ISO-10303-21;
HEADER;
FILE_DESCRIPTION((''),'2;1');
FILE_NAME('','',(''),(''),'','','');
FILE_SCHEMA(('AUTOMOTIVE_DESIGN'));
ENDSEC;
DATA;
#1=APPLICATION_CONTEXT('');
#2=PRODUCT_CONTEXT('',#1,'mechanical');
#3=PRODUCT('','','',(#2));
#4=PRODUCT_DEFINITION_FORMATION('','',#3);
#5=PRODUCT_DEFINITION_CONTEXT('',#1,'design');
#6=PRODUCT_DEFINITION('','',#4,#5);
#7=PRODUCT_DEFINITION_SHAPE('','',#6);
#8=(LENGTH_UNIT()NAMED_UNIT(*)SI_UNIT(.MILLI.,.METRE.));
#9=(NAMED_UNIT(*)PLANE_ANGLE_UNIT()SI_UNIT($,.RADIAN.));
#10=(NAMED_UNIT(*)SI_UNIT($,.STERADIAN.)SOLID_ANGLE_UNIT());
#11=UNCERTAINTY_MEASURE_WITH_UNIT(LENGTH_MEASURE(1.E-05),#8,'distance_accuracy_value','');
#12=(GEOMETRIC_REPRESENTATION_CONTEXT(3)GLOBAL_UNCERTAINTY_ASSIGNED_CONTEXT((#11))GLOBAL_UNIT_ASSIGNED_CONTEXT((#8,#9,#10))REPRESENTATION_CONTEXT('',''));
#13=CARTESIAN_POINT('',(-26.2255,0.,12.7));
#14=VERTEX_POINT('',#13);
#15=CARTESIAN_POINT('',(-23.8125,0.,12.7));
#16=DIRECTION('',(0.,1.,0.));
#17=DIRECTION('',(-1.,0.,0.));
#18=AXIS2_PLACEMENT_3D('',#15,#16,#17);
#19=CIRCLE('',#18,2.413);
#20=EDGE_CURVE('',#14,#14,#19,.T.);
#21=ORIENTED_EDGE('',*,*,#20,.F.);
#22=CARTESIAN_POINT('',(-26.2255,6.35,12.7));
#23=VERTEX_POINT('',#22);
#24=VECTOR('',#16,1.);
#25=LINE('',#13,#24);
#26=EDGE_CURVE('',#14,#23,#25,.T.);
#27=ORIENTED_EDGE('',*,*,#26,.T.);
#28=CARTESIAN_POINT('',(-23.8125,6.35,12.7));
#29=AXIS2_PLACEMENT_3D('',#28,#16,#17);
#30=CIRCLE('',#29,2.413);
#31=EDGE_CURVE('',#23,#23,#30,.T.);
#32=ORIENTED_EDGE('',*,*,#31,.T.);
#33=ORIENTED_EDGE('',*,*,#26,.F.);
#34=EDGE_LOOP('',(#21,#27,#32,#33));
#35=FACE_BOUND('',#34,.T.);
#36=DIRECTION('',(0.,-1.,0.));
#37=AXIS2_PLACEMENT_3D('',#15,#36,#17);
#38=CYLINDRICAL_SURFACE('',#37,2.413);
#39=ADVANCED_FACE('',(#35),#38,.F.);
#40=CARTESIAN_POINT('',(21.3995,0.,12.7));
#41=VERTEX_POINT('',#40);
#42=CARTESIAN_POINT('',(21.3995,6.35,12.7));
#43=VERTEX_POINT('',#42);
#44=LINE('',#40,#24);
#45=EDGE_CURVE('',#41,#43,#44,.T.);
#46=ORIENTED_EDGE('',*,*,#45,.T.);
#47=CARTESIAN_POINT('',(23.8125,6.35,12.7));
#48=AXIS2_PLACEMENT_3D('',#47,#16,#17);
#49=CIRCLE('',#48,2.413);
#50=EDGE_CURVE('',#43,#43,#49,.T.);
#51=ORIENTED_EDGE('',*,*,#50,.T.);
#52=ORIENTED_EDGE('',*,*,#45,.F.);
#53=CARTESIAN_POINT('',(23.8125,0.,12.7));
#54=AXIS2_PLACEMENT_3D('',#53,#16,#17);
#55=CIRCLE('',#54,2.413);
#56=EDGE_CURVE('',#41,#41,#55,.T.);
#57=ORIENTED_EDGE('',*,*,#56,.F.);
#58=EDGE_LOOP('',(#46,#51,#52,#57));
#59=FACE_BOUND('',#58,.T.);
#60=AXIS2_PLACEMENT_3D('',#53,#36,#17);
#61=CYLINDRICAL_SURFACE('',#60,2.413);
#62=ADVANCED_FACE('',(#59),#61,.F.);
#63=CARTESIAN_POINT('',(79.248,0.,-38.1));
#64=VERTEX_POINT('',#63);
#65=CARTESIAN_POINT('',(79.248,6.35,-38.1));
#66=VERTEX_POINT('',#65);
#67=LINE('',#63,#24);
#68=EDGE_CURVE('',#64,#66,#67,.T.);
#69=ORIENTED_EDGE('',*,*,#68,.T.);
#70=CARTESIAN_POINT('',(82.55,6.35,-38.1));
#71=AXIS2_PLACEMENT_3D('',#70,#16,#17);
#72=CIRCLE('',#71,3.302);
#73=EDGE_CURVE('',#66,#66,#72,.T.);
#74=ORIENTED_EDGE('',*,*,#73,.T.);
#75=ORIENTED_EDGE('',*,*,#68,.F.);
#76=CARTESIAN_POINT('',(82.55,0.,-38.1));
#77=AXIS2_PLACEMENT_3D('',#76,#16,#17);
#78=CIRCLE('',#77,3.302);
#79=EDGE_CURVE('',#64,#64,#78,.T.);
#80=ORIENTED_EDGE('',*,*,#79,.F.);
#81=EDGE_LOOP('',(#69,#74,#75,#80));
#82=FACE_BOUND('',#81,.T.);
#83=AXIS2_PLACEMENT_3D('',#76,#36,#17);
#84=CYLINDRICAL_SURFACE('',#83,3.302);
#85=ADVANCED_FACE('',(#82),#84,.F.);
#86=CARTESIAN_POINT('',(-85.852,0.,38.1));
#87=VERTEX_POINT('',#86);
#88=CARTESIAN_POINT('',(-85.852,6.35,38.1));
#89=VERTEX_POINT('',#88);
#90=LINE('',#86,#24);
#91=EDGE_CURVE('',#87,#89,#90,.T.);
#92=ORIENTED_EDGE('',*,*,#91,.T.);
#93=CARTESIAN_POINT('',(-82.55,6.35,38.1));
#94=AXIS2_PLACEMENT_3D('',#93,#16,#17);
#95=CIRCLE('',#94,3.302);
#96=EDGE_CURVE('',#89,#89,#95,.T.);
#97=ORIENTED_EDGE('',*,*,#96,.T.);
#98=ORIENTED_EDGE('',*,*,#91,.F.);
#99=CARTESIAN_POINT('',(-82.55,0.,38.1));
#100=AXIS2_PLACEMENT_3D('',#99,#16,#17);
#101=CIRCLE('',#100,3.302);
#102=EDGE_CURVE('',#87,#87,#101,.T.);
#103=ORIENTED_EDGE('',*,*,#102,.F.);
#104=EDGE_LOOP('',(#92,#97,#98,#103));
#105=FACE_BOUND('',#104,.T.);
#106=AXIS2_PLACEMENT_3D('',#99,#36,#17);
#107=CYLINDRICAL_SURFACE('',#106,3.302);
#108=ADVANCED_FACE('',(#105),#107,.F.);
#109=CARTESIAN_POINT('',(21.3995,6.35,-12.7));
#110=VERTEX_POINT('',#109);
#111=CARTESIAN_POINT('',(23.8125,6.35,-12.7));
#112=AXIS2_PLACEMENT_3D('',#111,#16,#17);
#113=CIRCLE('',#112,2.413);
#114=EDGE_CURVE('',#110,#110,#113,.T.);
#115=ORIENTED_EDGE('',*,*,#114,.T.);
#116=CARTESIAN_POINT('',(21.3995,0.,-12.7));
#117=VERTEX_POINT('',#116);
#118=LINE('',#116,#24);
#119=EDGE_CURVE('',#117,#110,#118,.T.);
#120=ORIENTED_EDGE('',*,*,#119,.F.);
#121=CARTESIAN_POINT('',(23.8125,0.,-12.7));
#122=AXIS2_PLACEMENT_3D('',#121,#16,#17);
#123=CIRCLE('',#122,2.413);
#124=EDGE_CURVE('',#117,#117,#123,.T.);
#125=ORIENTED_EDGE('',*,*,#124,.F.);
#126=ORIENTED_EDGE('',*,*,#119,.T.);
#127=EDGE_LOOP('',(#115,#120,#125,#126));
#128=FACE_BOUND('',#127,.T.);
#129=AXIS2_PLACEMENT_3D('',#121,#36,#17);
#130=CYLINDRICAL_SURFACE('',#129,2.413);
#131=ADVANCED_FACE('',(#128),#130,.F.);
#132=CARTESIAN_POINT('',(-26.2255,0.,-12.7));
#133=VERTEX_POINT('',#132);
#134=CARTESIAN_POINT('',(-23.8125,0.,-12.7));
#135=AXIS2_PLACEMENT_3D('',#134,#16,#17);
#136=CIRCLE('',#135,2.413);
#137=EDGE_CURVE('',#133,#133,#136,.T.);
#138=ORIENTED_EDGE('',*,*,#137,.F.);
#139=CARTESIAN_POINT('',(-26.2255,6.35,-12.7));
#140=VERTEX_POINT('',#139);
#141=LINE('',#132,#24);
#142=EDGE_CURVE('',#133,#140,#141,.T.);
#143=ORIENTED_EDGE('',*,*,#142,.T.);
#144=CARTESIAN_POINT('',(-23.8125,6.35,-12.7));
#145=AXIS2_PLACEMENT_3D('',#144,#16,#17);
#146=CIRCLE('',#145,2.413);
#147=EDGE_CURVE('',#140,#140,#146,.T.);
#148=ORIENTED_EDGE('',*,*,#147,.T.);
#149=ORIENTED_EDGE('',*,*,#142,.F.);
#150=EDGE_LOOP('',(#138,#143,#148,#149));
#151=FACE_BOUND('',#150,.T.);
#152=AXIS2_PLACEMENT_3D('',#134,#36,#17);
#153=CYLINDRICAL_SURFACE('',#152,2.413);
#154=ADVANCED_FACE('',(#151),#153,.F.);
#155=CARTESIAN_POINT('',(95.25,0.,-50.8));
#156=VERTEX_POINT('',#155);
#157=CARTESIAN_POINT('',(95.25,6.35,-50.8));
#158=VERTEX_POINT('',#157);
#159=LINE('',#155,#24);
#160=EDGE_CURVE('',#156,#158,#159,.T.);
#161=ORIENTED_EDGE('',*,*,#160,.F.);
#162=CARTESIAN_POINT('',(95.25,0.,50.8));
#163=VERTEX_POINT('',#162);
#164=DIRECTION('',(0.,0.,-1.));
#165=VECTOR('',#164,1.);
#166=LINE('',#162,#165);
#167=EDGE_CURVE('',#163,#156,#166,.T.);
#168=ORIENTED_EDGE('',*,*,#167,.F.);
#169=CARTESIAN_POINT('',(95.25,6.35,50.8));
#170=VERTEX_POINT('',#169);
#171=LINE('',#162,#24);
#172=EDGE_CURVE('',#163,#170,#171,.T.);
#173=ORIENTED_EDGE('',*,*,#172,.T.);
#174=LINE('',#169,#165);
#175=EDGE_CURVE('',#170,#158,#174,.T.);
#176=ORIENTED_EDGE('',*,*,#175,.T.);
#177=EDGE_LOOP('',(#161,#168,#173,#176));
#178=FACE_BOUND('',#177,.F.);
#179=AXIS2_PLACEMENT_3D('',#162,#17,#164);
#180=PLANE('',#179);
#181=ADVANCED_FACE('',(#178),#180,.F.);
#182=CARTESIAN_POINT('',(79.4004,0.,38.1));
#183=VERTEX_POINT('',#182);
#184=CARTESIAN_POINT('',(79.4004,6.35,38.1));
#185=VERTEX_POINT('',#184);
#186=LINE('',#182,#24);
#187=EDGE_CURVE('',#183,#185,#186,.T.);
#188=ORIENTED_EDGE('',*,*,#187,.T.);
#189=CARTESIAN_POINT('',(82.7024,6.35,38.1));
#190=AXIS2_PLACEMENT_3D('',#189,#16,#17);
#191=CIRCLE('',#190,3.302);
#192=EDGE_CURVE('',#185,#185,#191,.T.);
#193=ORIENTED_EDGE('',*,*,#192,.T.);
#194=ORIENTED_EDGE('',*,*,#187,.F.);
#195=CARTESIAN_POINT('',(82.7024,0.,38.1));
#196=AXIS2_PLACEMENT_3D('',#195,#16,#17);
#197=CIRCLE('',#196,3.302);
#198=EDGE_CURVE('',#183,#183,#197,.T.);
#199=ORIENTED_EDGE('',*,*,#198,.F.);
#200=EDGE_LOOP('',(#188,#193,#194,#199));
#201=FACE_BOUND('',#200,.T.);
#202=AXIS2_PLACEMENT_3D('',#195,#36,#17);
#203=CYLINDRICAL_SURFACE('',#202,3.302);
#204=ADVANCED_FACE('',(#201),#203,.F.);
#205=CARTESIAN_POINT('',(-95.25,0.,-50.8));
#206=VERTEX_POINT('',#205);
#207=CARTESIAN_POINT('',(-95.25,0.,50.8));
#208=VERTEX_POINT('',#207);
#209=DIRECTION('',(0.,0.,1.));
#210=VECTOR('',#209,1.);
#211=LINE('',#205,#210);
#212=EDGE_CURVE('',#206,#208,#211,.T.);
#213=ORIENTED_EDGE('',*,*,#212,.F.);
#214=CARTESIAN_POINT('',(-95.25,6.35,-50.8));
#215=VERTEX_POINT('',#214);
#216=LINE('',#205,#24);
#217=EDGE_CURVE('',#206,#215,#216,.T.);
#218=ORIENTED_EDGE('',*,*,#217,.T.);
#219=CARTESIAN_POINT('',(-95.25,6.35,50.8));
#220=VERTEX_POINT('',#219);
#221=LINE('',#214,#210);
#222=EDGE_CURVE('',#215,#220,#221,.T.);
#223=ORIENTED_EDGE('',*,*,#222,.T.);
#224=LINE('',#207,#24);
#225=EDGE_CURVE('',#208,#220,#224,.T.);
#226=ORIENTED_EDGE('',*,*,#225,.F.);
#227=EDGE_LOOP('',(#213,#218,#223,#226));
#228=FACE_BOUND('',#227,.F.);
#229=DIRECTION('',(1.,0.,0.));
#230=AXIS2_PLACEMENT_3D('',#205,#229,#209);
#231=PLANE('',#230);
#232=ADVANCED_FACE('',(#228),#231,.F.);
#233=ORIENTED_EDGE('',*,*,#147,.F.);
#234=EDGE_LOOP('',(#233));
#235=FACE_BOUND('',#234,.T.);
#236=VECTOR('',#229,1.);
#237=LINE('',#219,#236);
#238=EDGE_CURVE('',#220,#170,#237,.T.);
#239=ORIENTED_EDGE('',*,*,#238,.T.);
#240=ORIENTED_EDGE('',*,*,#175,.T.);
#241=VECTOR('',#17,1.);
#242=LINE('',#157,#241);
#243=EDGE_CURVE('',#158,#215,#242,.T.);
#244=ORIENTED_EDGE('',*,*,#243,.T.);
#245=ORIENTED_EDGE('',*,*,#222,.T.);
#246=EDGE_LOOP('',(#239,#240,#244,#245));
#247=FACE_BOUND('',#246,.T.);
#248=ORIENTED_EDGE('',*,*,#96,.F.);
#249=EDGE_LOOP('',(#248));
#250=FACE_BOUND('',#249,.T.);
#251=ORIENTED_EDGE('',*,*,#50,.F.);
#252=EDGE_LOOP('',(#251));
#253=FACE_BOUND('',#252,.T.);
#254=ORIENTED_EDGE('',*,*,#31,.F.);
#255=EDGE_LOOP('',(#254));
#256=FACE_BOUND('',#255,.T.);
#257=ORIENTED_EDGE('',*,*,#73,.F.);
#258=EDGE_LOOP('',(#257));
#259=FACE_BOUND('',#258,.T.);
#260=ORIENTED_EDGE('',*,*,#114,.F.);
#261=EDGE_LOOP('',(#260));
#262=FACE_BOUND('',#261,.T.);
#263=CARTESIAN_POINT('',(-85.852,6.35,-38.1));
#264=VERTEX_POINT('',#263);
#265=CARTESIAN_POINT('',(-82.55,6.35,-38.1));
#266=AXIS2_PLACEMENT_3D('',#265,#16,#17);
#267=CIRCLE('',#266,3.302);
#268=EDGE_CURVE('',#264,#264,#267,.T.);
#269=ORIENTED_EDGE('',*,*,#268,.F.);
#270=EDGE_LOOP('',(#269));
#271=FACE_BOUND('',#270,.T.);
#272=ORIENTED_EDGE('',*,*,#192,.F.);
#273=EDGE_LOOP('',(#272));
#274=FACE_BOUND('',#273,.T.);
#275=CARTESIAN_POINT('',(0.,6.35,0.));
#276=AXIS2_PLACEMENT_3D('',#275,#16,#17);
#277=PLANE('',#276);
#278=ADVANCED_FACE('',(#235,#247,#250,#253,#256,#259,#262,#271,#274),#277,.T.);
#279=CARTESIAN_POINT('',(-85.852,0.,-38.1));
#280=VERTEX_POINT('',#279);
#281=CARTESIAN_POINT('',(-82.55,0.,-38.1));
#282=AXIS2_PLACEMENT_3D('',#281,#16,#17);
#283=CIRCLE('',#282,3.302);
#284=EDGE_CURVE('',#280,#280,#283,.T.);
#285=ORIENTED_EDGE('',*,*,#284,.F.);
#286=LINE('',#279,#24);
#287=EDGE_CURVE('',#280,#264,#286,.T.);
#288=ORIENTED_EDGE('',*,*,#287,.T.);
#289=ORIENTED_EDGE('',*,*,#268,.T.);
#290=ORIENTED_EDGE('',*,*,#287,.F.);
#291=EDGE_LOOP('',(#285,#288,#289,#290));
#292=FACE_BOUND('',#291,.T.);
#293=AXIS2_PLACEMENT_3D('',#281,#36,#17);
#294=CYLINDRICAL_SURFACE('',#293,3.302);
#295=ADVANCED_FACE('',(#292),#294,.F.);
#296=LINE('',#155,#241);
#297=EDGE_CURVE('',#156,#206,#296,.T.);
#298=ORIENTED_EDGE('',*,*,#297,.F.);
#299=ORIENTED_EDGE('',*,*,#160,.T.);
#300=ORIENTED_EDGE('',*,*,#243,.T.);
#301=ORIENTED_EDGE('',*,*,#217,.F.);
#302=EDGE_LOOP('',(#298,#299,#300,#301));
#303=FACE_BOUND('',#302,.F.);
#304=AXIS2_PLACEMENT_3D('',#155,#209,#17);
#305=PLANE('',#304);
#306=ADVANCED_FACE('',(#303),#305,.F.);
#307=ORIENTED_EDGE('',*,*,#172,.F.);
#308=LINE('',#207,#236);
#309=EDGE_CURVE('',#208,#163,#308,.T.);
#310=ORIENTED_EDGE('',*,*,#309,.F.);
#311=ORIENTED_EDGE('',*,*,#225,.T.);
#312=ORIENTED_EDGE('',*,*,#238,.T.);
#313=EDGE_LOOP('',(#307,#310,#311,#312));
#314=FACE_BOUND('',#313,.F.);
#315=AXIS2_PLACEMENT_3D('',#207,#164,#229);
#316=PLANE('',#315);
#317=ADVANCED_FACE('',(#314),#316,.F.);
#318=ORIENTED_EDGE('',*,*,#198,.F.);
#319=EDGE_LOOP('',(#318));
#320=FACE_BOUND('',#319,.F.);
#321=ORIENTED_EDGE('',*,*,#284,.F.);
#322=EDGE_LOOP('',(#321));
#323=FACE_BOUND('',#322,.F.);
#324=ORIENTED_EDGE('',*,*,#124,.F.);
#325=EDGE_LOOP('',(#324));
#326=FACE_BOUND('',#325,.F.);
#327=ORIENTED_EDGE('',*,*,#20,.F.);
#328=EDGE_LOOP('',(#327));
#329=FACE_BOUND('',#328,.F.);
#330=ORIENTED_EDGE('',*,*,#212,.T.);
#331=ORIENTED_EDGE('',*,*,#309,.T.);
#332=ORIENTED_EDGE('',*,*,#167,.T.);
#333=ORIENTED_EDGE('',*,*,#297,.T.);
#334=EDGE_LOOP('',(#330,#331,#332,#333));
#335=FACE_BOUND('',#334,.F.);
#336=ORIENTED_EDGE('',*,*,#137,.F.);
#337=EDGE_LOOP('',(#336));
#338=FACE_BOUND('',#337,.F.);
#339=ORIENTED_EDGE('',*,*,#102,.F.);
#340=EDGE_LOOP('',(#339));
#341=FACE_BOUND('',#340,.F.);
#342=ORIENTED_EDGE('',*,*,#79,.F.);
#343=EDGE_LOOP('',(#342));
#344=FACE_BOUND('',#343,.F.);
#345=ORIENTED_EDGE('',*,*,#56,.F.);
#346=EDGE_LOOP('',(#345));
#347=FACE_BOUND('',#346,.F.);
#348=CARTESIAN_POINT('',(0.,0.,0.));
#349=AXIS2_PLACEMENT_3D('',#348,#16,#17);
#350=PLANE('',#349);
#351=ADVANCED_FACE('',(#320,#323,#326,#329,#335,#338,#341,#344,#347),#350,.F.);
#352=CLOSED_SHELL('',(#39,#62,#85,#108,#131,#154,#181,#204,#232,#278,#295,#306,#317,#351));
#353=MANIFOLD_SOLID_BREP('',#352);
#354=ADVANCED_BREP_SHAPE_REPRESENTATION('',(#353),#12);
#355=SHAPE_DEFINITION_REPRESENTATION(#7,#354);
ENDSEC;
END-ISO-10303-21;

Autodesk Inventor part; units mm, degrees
ref_plane "YZ Plane" through (0, 0, 0) normal (1, 0, 0) x (0, 1, 0)
ref_plane "XZ Plane" through (0, 0, 0) normal (0, 1, 0) x (-1, 0, 0)
ref_plane "XY Plane" through (0, 0, 0) normal (0, 0, 1) x (1, 0, 0)
sketch "Sketch1" plane through (0, 0, 0) normal (0, 1, 0) x (-1, 0, 0)
  line L0 (95.25, 50.8) -> (-95.25, 50.8)
  line L1 (-95.25, 50.8) -> (-95.25, -50.8)
  line L2 (-95.25, -50.8) -> (95.25, -50.8)
  line L3 (95.25, -50.8) -> (95.25, 50.8)
  line L4 (95.25, 50.8) -> (-95.25, -50.8) construction
  line L5 (-95.25, 50.8) -> (95.25, -50.8) construction
  circle A0 centre (82.55, -38.1) radius 3.302
  circle A1 centre (-82.55, -38.1) radius 3.302
  circle A2 centre (-82.7024, 38.1) radius 3.302
  circle A3 centre (82.55, 38.1) radius 3.302
  line L6 (40.9111, -12.7) -> (-47.9889, -12.7) construction
  line L7 (40.9111, 12.7) -> (-47.9889, 12.7) construction
  circle A4 centre (23.8125, -12.7) radius 2.413
  circle A5 centre (-23.8125, -12.7) radius 2.413
  circle A6 centre (23.8125, 12.7) radius 2.413
  circle A7 centre (-23.8125, 12.7) radius 2.413
  point P0 (0, 0)
  dimension "d0" = 190.5
  dimension "d1" = 101.6
  dimension "d2" = 6.604
  dimension "d3" = 12.7
  dimension "d4" = 12.7
  dimension "d5" = 6.604
  dimension "d6" = 12.7
  dimension "d7" = 6.604
  dimension "d8" = 12.7
  dimension "d9" = 6.604
  dimension "d10" = 88.9
  dimension "d11" = 88.9
  dimension "d12" = 25.4
  dimension "d13" = 12.7
  dimension "d14" = 4.826
  dimension "d15" = 4.826
  dimension "d16" = 47.625
  dimension "d17" = 23.8125
  dimension "d18" = 4.826
  dimension "d19" = 4.826
  dimension "d22" = 12.7
  dimension "d23" = 12.7
extrude "Extrusion1" add sketch "Sketch1" along normal blind 6.35
equation "\"d13\" = 0.5 * d12"
equation "\"d17\" = 0.5 * d16"
properties part number "SequenceMachine_ManifoldPlate"
